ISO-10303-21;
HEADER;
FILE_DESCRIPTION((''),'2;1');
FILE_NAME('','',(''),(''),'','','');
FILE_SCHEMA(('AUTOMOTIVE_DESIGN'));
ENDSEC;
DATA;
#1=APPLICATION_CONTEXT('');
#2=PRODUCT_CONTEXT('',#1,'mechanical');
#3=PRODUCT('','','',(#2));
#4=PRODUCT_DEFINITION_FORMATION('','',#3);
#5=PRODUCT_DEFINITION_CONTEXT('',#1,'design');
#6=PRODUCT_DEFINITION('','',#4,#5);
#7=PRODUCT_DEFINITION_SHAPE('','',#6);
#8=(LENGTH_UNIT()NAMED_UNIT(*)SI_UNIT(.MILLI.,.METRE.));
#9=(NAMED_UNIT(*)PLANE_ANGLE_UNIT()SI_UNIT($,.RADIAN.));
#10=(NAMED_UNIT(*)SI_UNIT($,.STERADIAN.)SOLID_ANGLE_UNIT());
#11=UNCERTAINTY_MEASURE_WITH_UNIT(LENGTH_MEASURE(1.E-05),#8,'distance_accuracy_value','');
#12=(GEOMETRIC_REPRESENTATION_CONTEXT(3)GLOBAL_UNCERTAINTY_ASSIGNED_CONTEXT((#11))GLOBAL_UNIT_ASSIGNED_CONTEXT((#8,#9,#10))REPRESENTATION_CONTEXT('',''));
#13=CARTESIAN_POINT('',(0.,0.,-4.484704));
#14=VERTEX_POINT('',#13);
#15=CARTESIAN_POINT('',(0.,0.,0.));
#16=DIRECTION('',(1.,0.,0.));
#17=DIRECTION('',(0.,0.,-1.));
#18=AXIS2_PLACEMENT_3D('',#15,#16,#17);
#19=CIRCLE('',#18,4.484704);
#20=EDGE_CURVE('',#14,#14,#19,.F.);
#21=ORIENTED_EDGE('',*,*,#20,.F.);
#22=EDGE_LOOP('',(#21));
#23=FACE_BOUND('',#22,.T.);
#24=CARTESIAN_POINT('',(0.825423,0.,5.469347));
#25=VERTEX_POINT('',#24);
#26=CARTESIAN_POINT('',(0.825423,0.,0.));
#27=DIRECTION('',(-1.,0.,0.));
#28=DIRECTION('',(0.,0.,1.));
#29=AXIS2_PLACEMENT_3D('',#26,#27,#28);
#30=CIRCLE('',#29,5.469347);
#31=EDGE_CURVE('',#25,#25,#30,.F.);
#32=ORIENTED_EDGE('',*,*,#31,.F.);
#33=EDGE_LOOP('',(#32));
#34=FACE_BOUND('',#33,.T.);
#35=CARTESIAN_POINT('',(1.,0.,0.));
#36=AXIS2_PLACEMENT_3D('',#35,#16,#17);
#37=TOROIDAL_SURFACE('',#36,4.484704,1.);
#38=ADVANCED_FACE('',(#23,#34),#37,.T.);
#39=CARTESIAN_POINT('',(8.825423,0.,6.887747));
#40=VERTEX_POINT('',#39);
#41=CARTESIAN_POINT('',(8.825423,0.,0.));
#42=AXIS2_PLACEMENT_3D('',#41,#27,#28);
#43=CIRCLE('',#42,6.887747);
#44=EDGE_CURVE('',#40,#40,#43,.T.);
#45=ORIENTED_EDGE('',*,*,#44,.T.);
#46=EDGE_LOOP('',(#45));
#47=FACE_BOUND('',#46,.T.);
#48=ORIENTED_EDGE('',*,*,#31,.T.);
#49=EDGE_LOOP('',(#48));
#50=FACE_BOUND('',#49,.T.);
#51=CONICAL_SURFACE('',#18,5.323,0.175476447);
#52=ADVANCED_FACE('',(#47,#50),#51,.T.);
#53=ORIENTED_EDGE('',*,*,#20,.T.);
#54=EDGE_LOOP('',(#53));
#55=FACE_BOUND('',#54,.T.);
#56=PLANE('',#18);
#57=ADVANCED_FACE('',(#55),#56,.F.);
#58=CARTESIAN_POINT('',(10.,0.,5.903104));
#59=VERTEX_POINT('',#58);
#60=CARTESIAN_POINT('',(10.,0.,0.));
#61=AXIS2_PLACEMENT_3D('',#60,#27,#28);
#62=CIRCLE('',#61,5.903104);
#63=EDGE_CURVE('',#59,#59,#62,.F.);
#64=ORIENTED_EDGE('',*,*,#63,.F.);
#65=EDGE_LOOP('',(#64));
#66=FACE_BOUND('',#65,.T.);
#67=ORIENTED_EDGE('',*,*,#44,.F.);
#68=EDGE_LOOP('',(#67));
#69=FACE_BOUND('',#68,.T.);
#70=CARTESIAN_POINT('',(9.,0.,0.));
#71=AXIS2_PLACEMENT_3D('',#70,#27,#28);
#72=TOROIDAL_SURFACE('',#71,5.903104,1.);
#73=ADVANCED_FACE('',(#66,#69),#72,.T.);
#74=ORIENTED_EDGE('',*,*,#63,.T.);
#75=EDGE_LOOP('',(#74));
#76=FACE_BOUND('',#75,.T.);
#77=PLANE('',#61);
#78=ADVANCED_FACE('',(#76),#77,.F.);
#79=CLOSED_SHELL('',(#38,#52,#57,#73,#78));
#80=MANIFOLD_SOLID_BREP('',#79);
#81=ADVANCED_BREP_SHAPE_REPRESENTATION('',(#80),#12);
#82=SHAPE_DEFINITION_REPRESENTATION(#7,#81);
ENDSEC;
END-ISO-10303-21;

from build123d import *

# Parameters (mm, degrees)
SKETCH1_W = 10
SKETCH1_H = 5.323
FILLET1_R = 1


with BuildPart() as part:
    # Sketch1 → Revolve1 (revolve)
    with BuildSketch(Plane.XY, mode=Mode.PRIVATE) as revolve1_sk:
        with Locations((5, 2.6615)):
            Rectangle(SKETCH1_W, SKETCH1_H)
        Polygon((10, 7.096), (0, 5.323), (10, 5.323), align=None)
    revolve(revolve1_sk.sketch.rotate(Axis((10, 0, 0), (-1, 0, 0)), 90), axis=Axis((10, 0, 0), (-1, 0, 0)))

    # Fillet1
    fillet1_edges = [part.edges().sort_by_distance(p)[0] for p in [
        (0, 0, 5.323),
        (10, 0, 7.096),
    ]]
    fillet(fillet1_edges, radius=FILLET1_R)


solid = part.part
